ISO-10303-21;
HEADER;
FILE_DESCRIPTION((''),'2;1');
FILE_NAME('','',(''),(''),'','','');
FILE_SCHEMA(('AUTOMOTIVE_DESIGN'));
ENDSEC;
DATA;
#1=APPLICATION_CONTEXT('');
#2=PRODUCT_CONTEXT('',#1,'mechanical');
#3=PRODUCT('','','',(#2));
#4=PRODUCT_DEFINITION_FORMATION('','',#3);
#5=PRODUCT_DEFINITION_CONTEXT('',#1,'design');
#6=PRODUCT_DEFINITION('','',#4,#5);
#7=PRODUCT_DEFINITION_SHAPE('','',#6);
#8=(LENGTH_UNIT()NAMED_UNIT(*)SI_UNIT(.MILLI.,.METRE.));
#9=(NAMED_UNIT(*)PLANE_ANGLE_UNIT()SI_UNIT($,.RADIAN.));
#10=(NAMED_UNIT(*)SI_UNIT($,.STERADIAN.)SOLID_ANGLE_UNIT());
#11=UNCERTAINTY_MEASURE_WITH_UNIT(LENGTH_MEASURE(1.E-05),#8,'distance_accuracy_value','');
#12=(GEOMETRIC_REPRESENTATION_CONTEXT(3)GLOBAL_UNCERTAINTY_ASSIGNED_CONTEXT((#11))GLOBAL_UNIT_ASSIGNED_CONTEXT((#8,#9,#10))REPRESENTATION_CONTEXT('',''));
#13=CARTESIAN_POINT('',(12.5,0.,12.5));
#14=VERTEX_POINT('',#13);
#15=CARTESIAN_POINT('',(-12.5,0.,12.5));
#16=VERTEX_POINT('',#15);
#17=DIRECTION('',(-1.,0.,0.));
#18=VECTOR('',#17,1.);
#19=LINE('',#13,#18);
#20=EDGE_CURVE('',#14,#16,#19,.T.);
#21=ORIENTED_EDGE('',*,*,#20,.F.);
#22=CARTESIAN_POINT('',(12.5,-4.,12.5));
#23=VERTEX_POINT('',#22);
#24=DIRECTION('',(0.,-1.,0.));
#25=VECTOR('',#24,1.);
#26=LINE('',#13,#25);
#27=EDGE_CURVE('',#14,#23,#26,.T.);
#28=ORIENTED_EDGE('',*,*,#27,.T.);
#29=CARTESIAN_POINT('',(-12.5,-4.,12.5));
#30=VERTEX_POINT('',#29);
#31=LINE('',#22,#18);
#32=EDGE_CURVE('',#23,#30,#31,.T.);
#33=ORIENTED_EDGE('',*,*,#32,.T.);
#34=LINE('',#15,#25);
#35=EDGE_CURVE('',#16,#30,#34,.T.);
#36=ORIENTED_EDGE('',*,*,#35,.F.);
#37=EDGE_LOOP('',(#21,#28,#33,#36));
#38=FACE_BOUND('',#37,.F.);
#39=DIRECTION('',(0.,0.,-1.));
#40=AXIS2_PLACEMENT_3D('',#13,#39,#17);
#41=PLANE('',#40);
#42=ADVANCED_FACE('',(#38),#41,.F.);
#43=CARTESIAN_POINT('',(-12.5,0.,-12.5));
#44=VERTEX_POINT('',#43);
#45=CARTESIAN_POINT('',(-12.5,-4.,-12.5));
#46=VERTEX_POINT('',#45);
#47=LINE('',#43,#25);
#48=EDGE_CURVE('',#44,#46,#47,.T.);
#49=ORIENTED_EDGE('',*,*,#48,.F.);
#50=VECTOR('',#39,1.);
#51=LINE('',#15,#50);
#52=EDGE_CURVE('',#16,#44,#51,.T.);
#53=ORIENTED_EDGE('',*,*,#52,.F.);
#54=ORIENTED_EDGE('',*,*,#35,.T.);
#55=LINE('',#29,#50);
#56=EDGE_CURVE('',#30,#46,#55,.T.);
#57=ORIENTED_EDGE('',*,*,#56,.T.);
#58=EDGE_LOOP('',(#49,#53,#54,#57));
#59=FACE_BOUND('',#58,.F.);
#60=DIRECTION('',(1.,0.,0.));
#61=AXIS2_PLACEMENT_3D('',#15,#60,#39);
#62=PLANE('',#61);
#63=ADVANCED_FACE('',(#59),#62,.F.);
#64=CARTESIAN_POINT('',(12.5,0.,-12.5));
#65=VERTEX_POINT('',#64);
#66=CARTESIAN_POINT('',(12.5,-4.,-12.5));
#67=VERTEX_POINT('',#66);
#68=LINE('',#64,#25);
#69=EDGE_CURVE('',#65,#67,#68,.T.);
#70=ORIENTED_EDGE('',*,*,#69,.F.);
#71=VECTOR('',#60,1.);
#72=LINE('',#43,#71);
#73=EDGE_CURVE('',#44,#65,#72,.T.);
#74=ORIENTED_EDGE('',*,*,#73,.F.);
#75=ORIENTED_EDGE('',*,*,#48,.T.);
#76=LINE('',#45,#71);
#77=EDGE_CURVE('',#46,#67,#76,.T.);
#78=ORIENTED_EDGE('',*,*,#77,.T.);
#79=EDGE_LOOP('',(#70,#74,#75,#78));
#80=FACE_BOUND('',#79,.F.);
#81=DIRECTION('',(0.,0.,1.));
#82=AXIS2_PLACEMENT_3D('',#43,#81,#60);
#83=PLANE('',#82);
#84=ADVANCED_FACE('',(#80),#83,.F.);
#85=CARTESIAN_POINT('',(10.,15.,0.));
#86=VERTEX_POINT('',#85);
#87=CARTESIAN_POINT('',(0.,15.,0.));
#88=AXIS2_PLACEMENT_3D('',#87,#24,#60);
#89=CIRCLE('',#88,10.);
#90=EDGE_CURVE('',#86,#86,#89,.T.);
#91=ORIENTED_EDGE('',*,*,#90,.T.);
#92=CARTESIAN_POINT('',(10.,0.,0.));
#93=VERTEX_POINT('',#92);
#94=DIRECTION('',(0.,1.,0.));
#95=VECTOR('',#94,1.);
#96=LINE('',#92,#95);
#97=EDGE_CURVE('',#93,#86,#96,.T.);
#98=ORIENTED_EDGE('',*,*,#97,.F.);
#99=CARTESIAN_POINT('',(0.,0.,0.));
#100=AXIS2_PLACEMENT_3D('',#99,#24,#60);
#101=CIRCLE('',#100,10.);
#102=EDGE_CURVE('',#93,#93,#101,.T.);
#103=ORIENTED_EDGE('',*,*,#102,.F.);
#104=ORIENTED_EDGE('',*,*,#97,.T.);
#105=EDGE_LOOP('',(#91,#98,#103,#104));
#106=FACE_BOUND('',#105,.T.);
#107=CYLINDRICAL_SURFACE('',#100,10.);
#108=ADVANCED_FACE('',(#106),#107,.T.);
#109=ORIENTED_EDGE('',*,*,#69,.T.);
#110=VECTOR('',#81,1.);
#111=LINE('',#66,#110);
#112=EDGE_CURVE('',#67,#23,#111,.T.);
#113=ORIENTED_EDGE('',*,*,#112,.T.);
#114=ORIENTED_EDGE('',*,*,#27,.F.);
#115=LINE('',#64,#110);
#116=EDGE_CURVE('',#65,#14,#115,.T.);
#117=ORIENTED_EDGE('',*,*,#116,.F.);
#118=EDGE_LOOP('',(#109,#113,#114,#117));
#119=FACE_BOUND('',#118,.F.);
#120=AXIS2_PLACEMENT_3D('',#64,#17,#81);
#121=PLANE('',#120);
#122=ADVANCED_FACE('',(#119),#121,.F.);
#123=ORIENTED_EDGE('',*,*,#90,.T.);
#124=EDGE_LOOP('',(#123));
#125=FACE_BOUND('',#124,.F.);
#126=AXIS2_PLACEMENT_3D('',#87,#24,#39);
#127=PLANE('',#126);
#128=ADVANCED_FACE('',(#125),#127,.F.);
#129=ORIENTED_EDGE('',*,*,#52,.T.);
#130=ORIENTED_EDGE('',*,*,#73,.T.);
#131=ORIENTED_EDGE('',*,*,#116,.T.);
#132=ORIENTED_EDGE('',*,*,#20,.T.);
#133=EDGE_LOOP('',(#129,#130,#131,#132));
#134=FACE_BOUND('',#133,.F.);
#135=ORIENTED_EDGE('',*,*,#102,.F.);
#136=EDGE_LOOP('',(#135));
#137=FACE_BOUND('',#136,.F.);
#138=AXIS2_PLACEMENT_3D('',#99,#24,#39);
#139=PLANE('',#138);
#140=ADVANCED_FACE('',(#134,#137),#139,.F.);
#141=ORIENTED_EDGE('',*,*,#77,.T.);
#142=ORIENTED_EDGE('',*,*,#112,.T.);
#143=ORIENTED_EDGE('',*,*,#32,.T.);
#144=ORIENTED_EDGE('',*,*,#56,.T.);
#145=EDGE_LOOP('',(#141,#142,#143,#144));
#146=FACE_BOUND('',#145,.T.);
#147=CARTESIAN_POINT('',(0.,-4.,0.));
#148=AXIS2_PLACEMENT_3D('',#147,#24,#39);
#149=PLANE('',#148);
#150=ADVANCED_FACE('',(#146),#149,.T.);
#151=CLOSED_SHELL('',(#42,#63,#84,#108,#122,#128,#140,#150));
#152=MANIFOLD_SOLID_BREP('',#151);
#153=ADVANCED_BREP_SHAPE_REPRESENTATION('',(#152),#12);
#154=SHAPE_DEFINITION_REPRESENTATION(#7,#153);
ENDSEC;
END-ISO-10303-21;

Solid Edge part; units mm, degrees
sketch "Sketch1" plane through (0, 0, 0) normal (0, -1, 0) x (1, 0, 0)
  circle A0 centre (0, 0) radius 10
extrude "Protrusion1" add sketch "Sketch1" against normal blind 15
sketch "Sketch2" plane through (0, 0, 0) normal (0, -1, 0) x (1, 0, 0)
  line L0 (-12.5, -12.5) -> (12.5, -12.5)
  line L1 (12.5, -12.5) -> (12.5, 12.5)
  line L2 (12.5, 12.5) -> (-12.5, 12.5)
  line L3 (-12.5, 12.5) -> (-12.5, -12.5)
extrude "ExtrudedProtrusion_3" add sketch "Sketch2" along normal blind 4
